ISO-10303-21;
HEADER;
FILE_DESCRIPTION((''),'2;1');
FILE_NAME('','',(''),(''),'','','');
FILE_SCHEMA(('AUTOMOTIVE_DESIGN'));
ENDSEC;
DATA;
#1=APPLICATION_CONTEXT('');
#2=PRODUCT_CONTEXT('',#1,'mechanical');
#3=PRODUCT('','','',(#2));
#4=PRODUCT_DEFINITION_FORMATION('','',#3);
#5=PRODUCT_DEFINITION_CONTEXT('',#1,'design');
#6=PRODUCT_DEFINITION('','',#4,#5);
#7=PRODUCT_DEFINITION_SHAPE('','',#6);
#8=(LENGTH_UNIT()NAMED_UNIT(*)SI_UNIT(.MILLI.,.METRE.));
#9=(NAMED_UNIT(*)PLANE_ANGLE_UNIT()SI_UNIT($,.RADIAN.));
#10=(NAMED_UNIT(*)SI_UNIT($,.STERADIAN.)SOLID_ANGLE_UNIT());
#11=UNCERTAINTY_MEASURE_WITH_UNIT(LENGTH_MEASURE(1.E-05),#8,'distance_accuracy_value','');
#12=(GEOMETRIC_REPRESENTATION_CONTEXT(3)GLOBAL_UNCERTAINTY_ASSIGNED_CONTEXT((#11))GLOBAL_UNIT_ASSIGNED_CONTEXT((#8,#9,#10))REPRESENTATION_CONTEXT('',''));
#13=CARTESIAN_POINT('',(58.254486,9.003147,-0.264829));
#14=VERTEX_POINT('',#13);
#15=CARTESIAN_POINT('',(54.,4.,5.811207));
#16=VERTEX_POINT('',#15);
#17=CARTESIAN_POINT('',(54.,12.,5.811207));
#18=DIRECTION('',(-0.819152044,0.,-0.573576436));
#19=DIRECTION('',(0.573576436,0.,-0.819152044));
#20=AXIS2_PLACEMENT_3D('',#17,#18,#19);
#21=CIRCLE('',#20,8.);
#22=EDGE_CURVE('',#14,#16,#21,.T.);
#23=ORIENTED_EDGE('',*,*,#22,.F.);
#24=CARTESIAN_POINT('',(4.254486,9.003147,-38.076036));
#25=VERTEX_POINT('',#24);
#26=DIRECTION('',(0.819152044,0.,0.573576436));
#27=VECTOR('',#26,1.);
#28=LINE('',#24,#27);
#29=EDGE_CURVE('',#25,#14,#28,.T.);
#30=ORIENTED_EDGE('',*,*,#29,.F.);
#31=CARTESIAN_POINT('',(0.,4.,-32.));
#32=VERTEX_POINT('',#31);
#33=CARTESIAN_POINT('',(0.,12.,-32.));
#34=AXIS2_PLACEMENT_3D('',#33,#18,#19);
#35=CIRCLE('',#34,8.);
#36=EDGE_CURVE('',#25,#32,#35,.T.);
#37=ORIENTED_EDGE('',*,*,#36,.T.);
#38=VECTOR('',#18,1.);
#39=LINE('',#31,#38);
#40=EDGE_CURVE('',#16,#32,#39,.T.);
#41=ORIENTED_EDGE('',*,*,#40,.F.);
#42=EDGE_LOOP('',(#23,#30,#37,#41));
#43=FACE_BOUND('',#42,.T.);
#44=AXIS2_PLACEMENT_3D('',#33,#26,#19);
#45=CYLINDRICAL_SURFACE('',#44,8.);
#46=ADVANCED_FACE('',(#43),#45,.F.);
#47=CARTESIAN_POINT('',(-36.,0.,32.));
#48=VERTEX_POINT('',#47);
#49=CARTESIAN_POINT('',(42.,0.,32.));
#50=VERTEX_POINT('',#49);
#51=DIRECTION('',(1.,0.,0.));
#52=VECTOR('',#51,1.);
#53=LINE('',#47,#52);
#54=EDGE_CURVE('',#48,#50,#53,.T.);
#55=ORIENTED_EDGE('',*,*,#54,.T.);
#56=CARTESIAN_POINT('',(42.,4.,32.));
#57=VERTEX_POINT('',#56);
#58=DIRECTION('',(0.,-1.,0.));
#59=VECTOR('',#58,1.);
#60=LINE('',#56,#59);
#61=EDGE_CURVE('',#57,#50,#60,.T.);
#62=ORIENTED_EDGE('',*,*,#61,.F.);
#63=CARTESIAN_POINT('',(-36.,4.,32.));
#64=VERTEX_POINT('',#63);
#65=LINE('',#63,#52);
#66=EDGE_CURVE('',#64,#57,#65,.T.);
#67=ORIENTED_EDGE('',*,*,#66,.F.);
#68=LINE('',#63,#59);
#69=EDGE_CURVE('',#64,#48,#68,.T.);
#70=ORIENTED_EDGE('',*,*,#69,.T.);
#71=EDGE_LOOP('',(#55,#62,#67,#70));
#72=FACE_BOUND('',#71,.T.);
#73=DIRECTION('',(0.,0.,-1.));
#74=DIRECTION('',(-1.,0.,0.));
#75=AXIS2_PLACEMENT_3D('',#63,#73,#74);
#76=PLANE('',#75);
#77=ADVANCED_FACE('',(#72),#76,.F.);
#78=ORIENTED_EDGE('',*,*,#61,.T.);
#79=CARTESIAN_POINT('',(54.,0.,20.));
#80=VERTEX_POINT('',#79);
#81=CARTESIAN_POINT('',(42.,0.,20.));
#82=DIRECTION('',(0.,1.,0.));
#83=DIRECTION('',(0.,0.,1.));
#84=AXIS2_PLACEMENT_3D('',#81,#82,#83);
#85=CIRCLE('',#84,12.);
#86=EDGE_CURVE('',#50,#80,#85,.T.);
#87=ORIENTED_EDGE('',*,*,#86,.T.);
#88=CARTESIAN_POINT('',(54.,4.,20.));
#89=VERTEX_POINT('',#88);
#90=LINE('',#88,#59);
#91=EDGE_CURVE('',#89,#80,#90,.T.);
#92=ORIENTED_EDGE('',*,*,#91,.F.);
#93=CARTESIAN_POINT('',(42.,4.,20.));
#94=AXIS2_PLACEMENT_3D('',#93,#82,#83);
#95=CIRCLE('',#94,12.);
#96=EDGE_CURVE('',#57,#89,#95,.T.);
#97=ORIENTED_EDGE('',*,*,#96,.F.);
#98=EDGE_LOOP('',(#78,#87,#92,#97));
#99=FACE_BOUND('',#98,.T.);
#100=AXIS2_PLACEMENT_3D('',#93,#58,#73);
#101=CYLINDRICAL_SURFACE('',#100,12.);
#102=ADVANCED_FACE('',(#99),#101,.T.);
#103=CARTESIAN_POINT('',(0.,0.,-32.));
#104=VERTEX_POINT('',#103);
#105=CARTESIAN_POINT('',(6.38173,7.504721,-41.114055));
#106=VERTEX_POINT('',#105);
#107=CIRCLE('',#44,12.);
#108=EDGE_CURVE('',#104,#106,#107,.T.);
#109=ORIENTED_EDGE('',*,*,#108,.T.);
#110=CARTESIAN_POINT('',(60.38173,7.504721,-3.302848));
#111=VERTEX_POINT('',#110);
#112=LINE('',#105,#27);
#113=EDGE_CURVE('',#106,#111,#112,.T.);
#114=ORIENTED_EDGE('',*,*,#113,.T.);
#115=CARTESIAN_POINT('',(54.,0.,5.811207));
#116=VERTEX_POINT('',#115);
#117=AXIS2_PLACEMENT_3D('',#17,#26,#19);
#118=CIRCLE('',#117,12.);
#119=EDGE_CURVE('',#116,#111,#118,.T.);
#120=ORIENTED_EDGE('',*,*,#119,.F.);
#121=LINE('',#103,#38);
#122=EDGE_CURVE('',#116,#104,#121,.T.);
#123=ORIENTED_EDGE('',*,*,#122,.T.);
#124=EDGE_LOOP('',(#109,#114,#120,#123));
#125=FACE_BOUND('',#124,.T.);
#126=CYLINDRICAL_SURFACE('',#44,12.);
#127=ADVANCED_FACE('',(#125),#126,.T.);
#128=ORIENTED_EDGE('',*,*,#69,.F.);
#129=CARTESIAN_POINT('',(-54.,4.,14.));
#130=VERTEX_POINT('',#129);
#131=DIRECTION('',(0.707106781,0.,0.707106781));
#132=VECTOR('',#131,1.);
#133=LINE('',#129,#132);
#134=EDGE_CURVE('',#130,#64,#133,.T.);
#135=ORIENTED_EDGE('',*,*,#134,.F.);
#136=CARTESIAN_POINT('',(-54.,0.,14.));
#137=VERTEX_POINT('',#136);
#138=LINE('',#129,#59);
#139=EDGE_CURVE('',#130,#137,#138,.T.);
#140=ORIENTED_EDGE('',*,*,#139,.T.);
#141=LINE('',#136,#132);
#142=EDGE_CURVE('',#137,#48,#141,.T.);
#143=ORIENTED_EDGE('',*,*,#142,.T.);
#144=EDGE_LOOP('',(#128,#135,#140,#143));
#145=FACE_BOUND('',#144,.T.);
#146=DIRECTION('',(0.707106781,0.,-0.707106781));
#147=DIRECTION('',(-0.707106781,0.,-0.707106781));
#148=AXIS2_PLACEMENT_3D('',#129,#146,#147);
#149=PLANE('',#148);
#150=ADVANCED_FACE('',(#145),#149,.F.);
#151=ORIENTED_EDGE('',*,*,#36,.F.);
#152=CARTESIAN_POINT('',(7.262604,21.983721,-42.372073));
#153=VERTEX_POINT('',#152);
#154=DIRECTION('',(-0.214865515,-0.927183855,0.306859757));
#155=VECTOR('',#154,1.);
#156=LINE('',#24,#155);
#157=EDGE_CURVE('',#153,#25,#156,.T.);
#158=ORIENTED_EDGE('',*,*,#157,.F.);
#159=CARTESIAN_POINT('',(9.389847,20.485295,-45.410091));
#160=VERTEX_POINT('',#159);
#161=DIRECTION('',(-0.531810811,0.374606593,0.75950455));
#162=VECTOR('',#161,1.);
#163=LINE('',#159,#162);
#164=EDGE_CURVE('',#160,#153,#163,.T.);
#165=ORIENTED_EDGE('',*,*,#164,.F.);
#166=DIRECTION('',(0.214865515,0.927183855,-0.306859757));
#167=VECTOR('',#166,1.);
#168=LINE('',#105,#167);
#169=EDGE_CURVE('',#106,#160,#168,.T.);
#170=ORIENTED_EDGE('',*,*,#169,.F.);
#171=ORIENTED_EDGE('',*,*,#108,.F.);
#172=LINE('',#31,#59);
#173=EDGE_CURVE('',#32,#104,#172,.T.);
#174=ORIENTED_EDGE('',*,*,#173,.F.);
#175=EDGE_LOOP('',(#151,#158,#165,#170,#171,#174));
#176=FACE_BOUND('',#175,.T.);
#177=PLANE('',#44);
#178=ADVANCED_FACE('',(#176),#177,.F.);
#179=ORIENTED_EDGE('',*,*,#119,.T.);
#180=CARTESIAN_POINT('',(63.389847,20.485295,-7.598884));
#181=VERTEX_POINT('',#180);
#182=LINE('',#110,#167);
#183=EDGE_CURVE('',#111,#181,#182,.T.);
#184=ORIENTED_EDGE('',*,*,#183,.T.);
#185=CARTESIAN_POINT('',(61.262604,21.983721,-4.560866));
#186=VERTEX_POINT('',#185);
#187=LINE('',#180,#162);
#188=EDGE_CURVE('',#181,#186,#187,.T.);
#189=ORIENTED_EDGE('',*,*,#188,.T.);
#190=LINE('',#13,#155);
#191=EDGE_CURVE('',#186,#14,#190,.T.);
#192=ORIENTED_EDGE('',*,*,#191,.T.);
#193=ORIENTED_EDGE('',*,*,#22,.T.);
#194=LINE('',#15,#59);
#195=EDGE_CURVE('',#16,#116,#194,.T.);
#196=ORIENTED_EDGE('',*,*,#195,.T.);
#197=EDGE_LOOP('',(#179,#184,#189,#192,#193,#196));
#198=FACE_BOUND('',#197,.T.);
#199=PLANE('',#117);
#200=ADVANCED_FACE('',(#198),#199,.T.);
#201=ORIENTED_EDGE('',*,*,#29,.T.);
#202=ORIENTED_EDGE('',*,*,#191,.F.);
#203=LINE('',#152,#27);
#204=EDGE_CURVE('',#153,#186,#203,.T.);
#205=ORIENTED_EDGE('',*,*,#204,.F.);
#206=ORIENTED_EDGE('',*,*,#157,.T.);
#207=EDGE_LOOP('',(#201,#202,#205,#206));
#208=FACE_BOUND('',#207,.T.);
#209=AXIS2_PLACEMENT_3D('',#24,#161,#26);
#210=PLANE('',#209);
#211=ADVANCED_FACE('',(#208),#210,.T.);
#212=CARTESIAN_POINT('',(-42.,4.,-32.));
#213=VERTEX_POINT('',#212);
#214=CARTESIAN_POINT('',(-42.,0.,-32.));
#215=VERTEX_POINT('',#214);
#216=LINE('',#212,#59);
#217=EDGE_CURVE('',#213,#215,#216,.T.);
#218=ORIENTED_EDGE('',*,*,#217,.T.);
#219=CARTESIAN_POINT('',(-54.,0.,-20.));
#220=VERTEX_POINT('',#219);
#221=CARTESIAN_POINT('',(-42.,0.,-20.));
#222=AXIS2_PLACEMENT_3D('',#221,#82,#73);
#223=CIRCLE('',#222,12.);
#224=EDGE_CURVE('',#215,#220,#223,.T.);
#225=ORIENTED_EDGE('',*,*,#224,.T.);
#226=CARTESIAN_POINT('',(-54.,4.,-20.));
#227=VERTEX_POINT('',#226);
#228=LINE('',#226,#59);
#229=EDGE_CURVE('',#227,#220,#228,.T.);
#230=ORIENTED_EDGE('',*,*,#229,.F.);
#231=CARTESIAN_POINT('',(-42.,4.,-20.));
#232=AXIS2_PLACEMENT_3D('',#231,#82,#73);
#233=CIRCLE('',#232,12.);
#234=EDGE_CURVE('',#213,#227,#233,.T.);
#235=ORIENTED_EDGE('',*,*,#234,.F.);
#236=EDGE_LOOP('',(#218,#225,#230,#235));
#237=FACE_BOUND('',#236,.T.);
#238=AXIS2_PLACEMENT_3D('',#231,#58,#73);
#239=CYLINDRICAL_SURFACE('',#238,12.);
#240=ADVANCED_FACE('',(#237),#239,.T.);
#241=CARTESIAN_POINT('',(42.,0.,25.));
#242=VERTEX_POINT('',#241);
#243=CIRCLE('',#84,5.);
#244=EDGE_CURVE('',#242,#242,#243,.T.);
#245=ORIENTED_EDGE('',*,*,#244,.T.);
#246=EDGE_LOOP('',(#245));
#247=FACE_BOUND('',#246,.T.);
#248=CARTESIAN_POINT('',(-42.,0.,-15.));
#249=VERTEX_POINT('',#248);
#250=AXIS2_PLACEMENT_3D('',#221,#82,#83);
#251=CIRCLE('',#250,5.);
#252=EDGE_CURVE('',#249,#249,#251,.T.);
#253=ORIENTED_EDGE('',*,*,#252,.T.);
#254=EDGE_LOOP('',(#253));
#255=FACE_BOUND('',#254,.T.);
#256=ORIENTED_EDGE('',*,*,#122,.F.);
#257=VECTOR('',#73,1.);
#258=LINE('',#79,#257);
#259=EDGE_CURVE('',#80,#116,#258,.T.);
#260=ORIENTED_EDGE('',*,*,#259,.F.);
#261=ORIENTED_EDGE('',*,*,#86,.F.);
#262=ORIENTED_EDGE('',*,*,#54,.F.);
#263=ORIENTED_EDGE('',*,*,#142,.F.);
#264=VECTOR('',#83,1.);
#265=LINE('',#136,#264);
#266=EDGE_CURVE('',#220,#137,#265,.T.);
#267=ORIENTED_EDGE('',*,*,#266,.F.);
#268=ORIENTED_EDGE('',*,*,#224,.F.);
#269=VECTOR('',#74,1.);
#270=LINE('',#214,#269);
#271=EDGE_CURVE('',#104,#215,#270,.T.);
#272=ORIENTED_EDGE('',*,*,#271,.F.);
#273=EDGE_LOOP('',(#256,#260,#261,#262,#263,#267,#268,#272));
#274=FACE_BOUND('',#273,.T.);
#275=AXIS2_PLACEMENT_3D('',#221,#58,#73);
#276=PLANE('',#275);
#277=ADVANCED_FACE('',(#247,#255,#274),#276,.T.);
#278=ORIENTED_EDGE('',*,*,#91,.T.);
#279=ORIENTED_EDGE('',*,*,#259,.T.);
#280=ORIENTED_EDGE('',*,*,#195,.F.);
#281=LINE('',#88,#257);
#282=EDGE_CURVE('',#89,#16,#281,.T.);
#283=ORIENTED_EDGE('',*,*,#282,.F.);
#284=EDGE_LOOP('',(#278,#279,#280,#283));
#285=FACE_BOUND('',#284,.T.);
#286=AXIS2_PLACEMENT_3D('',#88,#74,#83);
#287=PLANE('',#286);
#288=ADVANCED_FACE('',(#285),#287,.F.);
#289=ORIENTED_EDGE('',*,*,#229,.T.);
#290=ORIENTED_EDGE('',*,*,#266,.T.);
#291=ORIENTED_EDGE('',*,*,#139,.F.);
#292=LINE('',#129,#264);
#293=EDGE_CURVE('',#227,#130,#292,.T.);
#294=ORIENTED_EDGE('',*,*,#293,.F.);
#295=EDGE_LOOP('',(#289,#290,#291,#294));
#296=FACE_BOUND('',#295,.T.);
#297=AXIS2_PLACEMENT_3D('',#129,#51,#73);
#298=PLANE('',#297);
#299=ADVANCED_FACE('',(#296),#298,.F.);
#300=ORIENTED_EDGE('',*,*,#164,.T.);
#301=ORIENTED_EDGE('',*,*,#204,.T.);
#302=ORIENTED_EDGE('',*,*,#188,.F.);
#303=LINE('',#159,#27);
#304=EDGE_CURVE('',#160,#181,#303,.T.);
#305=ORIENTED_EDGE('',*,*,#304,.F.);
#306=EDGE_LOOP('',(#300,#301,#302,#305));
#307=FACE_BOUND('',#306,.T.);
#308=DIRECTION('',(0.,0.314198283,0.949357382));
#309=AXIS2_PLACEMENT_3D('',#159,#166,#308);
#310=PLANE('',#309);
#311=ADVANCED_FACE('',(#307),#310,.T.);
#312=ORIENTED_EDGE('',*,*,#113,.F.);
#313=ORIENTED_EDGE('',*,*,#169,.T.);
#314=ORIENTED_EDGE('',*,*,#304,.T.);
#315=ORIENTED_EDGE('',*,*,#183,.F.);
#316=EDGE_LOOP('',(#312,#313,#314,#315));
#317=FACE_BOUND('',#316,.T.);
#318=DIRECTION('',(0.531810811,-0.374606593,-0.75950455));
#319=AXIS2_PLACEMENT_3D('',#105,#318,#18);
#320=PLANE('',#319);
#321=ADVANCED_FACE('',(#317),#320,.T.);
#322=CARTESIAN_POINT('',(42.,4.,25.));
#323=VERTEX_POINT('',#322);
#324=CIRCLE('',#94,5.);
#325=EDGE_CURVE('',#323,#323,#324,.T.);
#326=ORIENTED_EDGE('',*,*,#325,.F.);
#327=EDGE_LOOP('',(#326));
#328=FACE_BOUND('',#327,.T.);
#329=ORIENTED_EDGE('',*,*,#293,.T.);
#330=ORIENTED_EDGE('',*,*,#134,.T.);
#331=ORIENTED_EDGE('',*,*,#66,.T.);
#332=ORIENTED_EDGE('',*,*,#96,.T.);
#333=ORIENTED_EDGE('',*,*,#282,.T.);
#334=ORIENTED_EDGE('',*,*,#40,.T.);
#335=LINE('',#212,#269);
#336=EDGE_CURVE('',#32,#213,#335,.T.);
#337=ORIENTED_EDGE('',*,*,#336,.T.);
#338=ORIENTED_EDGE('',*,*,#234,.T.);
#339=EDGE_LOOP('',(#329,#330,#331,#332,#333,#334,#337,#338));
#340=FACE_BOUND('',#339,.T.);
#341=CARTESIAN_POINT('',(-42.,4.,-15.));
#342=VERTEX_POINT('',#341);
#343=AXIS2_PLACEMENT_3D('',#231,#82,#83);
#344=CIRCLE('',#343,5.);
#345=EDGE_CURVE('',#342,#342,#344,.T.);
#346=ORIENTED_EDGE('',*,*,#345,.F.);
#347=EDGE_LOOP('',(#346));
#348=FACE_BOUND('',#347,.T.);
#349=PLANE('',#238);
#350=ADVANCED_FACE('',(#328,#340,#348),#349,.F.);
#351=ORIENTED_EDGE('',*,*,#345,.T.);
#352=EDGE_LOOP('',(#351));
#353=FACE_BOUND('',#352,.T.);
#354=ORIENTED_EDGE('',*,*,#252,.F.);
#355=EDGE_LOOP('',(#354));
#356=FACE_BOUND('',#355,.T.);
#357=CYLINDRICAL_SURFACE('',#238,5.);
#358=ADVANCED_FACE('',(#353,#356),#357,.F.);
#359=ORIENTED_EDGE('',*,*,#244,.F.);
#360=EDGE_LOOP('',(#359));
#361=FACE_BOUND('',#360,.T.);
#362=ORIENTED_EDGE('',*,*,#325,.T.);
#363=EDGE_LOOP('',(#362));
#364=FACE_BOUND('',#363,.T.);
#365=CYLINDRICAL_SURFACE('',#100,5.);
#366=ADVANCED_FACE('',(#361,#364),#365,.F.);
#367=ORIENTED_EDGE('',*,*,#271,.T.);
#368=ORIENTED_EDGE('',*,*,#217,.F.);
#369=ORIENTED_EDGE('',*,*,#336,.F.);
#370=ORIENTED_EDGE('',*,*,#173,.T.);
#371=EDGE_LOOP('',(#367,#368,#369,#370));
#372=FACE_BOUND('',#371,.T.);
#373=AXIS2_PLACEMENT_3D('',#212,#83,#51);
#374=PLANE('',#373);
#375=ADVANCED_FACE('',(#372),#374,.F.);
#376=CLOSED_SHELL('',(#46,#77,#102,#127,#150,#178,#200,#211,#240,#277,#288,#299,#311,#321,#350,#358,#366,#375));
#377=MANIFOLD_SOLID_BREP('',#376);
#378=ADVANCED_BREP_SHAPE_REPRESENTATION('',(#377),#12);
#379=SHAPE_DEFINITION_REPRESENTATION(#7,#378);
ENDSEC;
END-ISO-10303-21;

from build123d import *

# Parameters (mm, degrees)
SKETCH1_R           = 5
BOSS_EXTRUDE1_DEPTH = 4
BOSS_EXTRUDE2_DEPTH = 65.921828


with BuildPart() as part:
    # Sketch1 → Boss-Extrude1 (new body)
    with BuildSketch(Plane(origin=(0, 0, 0), x_dir=(1, 0, 0), z_dir=(0, 1, 0))):
        with BuildLine():
            Line((-54, -14), (-36, -32))
            Line((-36, -32), (42, -32))
            ThreePointArc((42, -32), (50.485281374, -28.485281374), (54, -20))
            Line((54, -20), (54, -5.811207063))
            Line((54, -5.811207063), (0, 32))
            Line((0, 32), (-42, 32))
            ThreePointArc((-42, 32), (-50.485281374, 28.485281374), (-54, 20))
            Line((-54, 20), (-54, -14))
        make_face()
        with Locations((-42, 20)):
            Circle(SKETCH1_R, mode=Mode.SUBTRACT)
        with Locations((42, -20)):
            Circle(SKETCH1_R, mode=Mode.SUBTRACT)
    extrude(amount=BOSS_EXTRUDE1_DEPTH)

    # Sketch2 → Boss-Extrude2 (add)
    with BuildSketch(Plane(origin=(38.964918067, 0, 27.283529357), x_dir=(0, -1, 0), z_dir=(0.819152044, 0, 0.573576436))):
        with BuildLine():
            Line((-9.003147253, 33.630336254), (-21.983721217, 38.874828562))
            Line((-21.983721217, 38.874828562), (-20.485294843, 42.58356398))
            Line((-20.485294843, 42.58356398), (-7.504720879, 37.339071672))
            ThreePointArc((-7.504720879, 37.339071672), (-2.051549129, 32.923180259), (0, 26.212865417))
            Line((0, 26.212865417), (-4, 26.212865417))
            ThreePointArc((-4, 26.212865417), (-5.36769942, 30.686408645), (-9.003147253, 33.630336254))
        make_face()
    extrude(amount=-BOSS_EXTRUDE2_DEPTH)


solid = part.part
